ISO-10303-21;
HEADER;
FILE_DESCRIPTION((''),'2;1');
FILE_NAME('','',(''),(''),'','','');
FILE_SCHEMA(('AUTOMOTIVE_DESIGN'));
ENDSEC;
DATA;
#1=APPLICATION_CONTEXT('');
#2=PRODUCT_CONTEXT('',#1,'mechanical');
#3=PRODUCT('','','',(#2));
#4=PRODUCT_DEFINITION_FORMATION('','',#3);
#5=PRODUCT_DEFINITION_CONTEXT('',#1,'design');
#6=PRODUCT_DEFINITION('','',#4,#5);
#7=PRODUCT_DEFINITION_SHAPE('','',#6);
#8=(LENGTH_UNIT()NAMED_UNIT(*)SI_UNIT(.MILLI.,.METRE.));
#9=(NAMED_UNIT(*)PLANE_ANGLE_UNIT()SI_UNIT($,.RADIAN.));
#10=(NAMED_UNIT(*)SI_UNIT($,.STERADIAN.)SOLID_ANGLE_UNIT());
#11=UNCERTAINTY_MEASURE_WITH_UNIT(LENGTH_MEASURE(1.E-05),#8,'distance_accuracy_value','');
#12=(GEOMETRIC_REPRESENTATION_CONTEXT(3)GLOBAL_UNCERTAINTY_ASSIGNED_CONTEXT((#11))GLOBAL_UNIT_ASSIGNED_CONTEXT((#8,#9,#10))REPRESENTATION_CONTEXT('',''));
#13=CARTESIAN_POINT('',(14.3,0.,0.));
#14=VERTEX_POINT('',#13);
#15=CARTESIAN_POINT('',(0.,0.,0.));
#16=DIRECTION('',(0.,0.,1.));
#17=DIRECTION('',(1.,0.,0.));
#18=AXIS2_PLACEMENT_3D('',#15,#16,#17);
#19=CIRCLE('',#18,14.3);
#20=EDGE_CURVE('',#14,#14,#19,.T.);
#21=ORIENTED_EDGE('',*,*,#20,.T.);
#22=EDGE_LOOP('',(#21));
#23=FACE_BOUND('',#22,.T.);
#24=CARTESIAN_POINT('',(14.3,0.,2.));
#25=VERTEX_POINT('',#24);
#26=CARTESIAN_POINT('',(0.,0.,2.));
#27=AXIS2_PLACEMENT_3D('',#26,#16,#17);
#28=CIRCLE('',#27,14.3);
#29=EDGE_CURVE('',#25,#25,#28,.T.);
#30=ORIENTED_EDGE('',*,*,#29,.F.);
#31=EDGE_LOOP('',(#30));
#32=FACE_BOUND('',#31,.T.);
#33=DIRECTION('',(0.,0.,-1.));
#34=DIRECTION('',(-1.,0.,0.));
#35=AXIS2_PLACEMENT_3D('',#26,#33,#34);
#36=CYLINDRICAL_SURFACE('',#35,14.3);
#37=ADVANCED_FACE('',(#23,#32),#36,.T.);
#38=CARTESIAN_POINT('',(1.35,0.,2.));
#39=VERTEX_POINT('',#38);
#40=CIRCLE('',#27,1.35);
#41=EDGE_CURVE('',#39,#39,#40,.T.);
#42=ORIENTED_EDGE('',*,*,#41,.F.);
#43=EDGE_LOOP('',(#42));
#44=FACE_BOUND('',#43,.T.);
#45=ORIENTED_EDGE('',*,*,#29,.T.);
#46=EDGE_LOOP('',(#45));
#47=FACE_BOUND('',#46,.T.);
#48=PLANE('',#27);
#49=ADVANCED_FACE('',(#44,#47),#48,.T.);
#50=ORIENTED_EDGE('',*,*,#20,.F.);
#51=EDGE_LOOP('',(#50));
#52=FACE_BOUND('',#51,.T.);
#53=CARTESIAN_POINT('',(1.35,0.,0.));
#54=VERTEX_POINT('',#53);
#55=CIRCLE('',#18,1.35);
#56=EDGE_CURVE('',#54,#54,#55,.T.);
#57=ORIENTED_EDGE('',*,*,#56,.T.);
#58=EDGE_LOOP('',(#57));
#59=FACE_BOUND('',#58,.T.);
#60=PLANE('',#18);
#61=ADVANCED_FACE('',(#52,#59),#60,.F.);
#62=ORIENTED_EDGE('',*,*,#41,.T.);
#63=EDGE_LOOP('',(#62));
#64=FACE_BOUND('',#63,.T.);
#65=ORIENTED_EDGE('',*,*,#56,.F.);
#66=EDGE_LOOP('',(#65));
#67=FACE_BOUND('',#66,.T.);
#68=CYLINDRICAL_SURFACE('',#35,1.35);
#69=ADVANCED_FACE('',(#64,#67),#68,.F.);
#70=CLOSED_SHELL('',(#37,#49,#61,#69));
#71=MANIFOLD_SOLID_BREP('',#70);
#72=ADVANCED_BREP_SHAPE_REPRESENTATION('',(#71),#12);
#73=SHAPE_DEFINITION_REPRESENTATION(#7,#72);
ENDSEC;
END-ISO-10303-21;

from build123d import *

# Parameters (mm, degrees)
ESQUISSE1_R        = 14.3
ESQUISSE1_R_2      = 1.35
BOSS_EXTRU_3_DEPTH = 2


with BuildPart() as part:
    # Esquisse1 → Boss.-Extru.3 (new body)
    with BuildSketch(Plane.XY):
        Circle(ESQUISSE1_R)
        Circle(ESQUISSE1_R_2, mode=Mode.SUBTRACT)
    extrude(amount=BOSS_EXTRU_3_DEPTH)


solid = part.part
